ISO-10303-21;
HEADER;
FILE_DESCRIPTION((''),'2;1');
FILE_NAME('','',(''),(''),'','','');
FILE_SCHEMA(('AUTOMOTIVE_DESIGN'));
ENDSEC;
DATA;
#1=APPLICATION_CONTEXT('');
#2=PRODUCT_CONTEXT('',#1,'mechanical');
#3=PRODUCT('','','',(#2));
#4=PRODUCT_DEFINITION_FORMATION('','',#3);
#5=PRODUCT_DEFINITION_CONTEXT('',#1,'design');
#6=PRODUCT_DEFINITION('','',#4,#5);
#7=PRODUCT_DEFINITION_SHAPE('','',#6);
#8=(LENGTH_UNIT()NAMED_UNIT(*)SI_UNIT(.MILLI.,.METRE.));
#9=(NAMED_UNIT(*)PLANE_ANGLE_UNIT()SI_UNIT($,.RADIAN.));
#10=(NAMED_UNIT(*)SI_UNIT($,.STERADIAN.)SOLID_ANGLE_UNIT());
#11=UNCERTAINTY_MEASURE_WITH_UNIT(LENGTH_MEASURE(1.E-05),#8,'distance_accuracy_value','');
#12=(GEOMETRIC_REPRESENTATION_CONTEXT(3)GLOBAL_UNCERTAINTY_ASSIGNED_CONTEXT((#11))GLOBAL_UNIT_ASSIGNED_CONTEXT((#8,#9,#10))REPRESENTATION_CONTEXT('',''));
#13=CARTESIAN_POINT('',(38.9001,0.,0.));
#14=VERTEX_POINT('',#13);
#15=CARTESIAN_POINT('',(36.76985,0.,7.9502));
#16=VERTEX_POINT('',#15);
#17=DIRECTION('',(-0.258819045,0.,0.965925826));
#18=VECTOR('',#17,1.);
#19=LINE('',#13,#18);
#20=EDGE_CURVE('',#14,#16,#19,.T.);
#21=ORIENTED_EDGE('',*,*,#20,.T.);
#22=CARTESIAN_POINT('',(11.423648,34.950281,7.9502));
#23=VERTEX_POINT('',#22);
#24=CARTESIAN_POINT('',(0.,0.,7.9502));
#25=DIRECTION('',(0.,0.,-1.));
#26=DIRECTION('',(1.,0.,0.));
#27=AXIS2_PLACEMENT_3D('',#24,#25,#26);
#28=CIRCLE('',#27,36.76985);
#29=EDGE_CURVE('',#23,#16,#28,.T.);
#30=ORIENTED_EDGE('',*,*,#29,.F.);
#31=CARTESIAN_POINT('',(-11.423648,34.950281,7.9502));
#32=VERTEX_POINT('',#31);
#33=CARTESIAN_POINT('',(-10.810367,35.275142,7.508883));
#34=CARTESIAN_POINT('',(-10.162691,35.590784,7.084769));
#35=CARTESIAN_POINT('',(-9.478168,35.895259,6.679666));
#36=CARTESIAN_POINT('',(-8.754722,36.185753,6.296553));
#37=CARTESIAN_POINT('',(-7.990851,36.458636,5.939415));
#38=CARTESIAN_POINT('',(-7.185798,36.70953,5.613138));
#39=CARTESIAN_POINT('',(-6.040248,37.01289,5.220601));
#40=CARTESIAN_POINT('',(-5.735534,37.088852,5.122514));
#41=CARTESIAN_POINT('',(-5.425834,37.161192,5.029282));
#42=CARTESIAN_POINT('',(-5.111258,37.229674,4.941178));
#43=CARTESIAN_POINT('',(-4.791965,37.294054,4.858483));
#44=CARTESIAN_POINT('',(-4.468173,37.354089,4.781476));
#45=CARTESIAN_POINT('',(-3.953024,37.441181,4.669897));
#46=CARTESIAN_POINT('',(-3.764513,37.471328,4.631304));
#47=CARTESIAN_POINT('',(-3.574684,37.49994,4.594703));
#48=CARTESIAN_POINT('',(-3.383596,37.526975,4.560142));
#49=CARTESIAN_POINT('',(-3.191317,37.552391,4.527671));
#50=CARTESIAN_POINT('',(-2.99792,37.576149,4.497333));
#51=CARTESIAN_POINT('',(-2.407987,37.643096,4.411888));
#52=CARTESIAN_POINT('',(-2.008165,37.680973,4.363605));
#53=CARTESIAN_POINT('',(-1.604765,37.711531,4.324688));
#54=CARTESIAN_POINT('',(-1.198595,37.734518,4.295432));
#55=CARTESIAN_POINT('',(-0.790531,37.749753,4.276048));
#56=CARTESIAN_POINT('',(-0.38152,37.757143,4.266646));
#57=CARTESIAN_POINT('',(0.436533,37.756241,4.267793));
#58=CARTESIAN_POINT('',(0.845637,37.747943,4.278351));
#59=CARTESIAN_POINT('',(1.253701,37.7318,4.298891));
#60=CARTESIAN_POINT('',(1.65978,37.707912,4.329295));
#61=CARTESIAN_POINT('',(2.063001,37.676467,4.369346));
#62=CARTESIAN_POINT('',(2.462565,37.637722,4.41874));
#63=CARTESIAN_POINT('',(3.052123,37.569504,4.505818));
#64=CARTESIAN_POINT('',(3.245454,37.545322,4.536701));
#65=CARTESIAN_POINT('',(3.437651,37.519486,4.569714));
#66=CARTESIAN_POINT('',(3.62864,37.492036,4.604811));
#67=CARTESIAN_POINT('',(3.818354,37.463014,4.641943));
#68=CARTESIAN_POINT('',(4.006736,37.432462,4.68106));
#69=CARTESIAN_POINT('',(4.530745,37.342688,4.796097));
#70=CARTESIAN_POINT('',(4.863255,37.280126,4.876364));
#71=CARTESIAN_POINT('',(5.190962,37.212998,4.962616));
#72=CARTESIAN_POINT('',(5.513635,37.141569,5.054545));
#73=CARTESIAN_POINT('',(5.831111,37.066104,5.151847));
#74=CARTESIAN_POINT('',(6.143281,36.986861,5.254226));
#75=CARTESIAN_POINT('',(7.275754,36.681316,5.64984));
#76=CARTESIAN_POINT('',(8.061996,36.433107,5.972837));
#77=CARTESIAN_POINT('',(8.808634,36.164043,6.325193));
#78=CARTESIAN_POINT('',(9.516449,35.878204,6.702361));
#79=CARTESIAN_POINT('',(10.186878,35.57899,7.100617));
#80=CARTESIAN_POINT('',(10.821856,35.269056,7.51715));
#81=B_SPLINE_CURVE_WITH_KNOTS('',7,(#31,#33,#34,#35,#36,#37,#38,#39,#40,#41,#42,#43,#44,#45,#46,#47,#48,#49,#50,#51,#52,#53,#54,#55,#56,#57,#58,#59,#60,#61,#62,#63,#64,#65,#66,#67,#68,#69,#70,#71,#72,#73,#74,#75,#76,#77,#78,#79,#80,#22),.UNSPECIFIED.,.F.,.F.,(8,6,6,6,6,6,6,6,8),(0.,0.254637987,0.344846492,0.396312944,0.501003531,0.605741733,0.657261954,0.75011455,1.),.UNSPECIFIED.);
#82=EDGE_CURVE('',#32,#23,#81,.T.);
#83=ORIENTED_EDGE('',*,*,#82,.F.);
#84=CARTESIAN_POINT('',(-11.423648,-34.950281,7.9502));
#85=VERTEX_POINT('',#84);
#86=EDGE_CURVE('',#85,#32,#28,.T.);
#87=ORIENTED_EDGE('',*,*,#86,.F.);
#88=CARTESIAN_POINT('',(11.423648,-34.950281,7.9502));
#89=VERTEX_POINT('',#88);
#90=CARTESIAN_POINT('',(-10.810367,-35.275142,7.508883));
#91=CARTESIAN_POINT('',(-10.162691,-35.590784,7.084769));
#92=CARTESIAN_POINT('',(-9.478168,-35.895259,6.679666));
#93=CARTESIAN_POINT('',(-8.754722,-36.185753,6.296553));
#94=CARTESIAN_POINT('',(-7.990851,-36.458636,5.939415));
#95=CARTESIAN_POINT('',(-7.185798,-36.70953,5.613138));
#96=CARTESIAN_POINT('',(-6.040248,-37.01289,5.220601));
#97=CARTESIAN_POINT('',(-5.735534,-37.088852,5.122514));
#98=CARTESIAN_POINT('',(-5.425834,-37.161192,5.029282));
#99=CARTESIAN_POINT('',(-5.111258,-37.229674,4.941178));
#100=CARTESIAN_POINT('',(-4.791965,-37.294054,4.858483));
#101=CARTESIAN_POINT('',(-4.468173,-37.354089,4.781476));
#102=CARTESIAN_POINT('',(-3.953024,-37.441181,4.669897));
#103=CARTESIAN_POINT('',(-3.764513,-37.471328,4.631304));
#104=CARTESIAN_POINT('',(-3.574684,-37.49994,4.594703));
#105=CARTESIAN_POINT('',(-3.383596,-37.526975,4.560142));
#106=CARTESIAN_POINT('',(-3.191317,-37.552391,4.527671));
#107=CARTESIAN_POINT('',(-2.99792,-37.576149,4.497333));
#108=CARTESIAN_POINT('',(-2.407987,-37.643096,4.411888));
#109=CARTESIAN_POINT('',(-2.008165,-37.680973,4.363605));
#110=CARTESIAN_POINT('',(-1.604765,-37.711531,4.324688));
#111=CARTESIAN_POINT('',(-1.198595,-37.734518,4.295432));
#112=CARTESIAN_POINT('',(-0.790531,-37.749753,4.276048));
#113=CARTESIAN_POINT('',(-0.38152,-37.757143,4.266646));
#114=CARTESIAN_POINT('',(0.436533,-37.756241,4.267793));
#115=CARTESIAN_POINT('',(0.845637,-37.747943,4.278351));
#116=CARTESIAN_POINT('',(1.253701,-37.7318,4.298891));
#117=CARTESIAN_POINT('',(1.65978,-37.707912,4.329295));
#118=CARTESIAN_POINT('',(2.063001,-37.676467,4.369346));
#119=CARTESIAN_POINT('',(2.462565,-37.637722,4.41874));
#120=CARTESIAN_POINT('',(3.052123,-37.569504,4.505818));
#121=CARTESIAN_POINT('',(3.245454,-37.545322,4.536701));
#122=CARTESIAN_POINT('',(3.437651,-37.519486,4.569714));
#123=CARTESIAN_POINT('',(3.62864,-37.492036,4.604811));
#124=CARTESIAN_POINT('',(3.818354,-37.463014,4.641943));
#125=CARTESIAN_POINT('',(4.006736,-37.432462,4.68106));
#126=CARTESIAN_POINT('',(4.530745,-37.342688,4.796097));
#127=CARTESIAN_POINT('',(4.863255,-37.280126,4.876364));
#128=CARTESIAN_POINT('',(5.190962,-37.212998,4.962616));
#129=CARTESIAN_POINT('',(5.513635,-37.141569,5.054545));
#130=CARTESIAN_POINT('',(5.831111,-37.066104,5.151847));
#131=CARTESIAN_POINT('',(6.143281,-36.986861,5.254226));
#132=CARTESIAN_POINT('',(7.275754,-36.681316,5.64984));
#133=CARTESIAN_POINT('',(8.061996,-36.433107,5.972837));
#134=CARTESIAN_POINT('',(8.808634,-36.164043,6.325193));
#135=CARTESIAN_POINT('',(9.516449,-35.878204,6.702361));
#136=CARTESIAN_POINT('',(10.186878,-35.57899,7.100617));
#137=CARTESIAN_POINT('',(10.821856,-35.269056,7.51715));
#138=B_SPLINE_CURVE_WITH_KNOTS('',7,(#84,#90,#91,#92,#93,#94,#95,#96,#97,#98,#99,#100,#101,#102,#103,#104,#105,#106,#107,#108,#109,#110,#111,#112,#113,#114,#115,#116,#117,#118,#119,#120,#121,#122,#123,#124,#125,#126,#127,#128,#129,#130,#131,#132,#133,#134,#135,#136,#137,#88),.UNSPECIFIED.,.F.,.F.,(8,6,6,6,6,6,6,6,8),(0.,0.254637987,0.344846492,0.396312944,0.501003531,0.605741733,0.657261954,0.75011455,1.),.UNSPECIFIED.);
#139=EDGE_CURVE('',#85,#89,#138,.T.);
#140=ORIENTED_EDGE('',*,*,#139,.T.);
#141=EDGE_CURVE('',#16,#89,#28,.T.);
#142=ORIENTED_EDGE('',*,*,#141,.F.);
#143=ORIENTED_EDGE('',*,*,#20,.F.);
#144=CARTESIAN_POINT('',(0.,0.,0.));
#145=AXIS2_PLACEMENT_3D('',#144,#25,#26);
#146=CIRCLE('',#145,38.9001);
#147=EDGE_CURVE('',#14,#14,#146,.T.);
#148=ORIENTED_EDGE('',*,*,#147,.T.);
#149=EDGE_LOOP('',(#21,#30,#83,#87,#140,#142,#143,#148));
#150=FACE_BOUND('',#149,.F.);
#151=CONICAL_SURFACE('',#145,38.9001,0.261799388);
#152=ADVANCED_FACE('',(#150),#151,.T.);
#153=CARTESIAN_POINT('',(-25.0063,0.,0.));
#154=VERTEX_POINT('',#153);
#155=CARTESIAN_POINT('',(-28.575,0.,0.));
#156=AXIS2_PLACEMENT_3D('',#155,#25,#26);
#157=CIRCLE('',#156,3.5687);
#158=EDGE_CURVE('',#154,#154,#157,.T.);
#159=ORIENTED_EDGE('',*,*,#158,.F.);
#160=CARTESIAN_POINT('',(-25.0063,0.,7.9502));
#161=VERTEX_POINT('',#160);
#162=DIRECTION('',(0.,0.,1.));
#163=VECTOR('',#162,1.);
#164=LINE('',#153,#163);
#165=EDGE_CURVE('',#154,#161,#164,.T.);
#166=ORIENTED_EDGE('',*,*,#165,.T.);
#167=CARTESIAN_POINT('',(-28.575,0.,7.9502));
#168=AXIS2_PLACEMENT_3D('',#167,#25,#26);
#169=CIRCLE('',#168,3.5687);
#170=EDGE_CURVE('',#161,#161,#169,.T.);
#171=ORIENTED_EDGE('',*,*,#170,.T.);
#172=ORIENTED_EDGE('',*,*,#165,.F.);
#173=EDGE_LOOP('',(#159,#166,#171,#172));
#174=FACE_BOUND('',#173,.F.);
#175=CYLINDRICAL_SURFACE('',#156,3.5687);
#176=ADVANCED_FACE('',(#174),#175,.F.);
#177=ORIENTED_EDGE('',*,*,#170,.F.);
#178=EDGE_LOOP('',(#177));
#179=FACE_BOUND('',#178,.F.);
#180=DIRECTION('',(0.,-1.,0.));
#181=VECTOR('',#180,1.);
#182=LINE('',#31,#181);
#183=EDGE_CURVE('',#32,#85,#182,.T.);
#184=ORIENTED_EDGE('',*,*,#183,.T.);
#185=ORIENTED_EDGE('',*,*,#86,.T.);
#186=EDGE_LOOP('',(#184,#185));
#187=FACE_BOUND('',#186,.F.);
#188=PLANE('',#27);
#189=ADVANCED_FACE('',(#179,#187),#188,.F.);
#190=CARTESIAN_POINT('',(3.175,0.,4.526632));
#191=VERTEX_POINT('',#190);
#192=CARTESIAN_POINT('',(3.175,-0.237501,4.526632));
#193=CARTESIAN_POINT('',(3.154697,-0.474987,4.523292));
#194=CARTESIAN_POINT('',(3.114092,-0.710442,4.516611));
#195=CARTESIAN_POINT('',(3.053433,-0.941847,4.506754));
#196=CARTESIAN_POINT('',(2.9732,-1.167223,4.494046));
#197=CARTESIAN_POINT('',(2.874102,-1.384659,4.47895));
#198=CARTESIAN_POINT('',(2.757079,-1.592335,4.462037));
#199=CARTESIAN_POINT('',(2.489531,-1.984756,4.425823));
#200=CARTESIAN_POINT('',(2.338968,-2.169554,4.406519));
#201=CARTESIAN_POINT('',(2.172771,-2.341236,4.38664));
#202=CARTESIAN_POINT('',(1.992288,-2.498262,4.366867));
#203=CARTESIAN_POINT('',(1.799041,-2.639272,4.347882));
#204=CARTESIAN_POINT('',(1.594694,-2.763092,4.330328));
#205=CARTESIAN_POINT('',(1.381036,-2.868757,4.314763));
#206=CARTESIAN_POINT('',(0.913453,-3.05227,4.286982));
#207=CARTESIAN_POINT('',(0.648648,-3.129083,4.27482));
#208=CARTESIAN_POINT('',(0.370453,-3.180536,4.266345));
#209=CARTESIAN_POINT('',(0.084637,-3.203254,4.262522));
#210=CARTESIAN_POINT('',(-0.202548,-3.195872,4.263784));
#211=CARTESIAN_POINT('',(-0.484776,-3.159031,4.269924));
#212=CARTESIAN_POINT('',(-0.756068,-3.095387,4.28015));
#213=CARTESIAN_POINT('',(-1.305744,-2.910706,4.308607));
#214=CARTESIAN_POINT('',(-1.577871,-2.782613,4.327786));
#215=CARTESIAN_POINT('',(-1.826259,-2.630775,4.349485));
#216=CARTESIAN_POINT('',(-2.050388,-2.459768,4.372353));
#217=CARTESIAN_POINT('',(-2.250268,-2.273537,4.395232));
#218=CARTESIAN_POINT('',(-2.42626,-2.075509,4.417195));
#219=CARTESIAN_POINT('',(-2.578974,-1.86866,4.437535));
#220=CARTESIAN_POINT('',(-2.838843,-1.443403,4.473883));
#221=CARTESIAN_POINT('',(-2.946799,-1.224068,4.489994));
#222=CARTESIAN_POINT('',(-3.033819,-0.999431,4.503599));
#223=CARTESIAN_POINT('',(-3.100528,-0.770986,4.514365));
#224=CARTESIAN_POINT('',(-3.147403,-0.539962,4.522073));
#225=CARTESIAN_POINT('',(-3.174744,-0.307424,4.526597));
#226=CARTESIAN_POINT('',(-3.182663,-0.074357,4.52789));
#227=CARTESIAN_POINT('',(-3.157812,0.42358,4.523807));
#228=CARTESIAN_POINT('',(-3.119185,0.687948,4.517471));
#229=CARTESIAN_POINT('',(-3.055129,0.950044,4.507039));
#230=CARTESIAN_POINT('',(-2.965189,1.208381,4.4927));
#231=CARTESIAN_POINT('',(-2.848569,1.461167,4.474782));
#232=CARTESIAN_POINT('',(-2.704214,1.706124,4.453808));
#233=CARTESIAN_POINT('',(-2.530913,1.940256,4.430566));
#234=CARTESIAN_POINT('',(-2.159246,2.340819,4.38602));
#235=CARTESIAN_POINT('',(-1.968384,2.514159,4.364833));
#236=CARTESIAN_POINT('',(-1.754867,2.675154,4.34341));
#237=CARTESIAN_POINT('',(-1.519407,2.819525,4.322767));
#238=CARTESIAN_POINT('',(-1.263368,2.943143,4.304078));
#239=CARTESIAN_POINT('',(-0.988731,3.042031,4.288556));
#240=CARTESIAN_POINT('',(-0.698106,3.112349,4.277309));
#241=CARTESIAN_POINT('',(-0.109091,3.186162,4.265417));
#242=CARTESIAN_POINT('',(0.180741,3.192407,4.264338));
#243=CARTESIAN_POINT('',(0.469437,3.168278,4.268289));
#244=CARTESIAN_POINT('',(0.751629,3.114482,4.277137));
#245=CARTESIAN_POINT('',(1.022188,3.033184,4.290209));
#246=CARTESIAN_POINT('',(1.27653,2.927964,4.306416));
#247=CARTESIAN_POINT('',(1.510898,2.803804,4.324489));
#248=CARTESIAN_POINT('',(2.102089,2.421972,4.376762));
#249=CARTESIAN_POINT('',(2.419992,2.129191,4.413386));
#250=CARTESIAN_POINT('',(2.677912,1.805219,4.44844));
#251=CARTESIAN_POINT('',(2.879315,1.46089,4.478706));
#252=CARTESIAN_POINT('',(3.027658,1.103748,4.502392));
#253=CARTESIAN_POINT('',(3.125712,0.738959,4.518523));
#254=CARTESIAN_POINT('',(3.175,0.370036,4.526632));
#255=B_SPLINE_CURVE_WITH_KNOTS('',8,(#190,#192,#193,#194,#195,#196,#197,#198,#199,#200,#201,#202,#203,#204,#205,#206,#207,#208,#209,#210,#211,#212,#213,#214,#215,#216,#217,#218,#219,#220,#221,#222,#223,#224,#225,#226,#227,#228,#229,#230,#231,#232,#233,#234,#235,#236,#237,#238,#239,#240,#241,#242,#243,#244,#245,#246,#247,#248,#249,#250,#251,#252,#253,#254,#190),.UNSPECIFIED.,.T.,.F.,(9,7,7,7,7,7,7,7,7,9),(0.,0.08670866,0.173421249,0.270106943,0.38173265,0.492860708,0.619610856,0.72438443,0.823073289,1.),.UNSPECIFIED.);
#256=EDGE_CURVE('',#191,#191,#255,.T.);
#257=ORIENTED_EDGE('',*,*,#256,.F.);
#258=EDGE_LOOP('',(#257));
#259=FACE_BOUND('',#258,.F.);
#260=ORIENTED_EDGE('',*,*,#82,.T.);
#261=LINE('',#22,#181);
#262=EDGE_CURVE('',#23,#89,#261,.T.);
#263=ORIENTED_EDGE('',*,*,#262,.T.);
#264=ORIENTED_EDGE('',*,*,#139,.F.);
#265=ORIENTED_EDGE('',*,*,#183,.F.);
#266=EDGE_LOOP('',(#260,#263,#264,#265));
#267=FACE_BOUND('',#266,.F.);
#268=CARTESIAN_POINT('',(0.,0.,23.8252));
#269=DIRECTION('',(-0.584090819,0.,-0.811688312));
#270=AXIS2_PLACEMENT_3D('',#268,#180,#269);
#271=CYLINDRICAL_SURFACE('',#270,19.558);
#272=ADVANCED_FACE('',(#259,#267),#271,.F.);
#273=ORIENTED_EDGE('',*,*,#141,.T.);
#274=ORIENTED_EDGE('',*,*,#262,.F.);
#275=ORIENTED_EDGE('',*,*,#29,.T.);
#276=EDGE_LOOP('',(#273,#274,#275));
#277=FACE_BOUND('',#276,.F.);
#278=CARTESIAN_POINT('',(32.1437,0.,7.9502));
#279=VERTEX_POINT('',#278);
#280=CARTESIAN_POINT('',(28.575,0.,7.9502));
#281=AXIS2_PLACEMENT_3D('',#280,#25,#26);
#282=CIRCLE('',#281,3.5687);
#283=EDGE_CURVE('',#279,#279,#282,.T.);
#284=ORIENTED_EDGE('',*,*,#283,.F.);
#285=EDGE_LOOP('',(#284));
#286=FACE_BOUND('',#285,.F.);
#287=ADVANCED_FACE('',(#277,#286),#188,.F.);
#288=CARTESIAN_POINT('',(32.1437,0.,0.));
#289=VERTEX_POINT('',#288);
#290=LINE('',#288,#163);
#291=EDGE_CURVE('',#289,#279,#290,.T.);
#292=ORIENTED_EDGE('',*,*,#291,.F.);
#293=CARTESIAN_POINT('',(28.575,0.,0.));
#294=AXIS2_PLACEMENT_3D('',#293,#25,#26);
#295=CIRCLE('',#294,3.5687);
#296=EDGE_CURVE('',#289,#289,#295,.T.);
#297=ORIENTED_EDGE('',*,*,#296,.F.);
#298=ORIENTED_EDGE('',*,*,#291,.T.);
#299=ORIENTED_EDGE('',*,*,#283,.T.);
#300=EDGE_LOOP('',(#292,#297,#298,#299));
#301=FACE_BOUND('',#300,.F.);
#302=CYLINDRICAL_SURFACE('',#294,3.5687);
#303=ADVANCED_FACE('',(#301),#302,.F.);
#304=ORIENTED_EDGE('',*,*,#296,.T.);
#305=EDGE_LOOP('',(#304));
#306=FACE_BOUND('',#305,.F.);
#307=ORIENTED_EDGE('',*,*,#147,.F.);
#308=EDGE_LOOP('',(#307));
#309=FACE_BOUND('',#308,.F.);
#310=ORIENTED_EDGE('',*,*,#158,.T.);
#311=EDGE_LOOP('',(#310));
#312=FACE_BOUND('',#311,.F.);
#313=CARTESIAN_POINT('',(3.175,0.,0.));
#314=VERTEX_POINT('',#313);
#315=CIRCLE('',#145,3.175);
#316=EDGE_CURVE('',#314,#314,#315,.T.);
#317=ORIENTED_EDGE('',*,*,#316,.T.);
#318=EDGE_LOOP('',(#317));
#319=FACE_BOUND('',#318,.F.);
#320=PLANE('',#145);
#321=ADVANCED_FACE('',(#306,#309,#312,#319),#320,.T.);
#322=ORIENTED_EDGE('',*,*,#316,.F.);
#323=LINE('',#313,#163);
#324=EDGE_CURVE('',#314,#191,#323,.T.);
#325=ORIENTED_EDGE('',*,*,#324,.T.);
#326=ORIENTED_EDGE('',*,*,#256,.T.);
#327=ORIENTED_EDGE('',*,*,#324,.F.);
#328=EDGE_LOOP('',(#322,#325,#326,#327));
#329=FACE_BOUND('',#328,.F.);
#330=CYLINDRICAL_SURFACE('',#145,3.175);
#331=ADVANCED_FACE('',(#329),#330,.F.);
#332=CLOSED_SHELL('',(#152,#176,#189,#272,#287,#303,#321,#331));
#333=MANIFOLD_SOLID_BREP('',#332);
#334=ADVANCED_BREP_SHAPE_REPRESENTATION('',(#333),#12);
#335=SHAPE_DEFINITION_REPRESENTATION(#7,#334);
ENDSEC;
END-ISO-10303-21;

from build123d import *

# Parameters (mm, degrees)
F3_DEPTH      = 38.9011
F3_DEPTH_BACK = 38.9011
F4_R          = 3.175
F4_R_2        = 3.5687
F5_DEPTH      = 7.9512001


with BuildPart() as f1:
    # F0 (on Front) → F1 (revolve)
    with BuildSketch(Plane.XZ):
        Polygon((36.7698503303, 7.9502), (0, 7.9502), (0, 0), (38.9001, 0), align=None)
    revolve(axis=Axis((0, 0, 3.9751), (0, 0, -1)))

    # F2 (on Front) → F3 (cut, two sides)
    with BuildSketch(Plane.XZ) as f3_sk:
        with BuildLine():
            Line((11.4236482351, 7.9502), (-11.4236482351, 7.9502))
            ThreePointArc((-11.4236482351, 7.9502), (0, 4.2672), (11.4236482351, 7.9502))
        make_face()
    extrude(amount=-F3_DEPTH, mode=Mode.SUBTRACT)
    extrude(f3_sk.sketch, amount=F3_DEPTH_BACK, mode=Mode.SUBTRACT)

    # F4 (on face) → F5 (cut, through all)
    with BuildSketch(Plane(origin=(0, 0, 0), x_dir=(1, 0, 0), z_dir=(0, 0, -1))):
        Circle(F4_R)
        with Locations((-28.575, 0)):
            Circle(F4_R_2)
        with Locations((28.575, 0)):
            Circle(F4_R_2)
    extrude(amount=-F5_DEPTH, mode=Mode.SUBTRACT)


solid = f1.part
